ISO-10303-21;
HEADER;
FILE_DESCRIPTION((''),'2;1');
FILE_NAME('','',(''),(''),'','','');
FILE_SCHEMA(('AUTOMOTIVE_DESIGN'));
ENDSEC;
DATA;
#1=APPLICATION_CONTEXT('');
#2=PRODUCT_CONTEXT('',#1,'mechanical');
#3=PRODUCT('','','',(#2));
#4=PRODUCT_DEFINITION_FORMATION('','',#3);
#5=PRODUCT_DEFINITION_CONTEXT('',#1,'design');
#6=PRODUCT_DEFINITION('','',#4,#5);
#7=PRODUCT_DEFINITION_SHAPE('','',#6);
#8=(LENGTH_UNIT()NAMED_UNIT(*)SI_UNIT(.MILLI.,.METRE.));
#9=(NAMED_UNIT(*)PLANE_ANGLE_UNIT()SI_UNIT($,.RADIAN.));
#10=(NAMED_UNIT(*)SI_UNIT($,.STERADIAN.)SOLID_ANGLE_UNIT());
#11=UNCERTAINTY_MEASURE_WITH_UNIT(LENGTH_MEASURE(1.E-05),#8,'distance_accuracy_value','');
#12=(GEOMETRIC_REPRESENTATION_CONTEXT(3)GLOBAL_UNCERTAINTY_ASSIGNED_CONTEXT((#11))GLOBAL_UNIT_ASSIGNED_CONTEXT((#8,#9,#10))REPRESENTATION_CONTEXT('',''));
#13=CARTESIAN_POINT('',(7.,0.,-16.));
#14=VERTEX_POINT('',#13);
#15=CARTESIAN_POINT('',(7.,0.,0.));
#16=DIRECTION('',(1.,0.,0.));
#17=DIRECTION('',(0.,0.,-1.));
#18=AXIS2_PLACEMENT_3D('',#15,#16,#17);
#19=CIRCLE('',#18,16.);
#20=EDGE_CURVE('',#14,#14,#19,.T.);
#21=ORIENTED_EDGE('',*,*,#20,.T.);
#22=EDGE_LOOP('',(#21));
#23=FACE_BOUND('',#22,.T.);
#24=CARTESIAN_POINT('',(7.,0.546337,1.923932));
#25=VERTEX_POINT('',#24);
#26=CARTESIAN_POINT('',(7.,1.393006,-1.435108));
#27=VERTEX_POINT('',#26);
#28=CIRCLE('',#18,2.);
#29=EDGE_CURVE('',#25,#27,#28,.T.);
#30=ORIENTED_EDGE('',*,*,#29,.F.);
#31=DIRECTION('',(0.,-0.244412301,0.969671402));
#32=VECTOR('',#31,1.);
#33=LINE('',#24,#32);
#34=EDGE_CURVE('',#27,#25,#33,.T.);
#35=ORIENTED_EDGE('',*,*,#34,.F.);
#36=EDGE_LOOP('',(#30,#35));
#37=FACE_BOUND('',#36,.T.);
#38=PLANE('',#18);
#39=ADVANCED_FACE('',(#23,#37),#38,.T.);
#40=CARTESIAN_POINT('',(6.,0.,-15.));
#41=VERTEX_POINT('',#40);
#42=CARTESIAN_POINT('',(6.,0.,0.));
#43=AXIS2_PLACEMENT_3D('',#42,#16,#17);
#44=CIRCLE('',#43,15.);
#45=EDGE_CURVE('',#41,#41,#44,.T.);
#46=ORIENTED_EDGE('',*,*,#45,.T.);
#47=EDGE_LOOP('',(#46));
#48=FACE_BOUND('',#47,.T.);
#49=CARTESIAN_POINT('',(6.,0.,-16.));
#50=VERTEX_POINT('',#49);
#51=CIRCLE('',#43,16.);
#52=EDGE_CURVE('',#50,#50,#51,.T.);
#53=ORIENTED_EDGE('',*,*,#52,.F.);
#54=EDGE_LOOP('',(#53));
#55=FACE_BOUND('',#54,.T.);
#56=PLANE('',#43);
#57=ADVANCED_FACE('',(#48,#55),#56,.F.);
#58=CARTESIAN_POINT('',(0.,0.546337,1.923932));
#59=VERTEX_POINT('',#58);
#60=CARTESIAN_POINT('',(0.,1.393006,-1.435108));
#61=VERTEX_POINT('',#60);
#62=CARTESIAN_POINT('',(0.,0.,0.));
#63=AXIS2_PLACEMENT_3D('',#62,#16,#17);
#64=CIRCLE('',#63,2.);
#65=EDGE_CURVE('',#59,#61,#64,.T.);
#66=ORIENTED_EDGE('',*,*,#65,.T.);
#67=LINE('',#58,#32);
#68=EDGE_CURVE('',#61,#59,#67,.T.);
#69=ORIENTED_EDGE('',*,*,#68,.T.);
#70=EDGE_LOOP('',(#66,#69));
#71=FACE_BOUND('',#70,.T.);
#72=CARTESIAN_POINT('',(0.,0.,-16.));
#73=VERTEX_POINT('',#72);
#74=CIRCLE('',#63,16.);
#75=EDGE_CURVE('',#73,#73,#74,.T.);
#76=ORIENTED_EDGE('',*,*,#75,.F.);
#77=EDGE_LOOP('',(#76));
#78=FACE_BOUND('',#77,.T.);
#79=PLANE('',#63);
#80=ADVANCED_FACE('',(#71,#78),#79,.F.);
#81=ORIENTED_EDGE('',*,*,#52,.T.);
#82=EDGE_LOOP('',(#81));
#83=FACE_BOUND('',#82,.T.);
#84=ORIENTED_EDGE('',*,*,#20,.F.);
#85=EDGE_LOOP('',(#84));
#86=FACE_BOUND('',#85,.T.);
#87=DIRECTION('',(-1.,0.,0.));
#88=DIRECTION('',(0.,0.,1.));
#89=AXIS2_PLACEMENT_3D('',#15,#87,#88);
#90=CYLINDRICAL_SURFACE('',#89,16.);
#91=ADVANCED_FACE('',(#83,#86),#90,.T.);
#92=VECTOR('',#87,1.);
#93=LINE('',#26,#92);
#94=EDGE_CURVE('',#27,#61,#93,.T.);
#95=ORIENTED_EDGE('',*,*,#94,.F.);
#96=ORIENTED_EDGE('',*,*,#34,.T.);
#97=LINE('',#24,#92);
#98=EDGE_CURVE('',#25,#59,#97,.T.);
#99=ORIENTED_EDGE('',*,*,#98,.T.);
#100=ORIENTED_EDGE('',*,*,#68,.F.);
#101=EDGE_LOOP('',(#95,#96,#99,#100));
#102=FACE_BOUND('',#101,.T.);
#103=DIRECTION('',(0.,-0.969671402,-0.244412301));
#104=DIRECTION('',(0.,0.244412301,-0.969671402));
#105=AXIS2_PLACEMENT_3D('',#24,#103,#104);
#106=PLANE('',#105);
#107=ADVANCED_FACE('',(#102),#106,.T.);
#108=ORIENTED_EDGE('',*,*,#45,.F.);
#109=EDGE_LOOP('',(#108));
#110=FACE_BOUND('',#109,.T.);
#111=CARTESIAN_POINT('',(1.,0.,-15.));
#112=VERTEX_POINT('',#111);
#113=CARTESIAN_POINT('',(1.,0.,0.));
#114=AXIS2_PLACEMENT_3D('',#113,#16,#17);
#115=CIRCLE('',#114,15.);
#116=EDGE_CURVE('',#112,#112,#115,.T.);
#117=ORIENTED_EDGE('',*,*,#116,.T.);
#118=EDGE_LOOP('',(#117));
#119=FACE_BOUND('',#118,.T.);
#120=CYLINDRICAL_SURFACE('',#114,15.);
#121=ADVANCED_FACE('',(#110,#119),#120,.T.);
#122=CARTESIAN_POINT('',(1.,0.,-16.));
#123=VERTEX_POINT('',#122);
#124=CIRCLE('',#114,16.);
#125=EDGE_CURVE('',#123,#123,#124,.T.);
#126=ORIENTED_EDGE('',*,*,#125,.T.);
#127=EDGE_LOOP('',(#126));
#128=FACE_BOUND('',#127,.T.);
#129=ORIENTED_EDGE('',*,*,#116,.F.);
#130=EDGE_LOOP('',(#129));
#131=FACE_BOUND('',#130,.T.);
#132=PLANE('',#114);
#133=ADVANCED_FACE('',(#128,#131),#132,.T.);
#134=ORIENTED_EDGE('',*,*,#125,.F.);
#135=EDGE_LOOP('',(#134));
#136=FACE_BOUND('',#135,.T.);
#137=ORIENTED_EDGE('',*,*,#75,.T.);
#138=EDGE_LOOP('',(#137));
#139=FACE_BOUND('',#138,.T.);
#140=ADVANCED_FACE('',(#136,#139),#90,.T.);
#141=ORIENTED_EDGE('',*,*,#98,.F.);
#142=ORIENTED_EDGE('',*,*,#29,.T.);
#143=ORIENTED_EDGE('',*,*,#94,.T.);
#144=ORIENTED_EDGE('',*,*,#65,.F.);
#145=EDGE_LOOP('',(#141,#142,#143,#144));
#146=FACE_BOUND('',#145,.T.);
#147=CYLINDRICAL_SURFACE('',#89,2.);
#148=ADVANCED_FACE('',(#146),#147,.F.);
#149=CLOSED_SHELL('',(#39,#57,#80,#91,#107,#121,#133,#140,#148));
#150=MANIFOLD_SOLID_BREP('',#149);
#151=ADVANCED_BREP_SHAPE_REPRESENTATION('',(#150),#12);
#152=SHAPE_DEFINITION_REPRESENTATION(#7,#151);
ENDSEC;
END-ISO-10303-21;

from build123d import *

# Parameters (mm, degrees)
SKETCH1_R           = 16
BOSS_EXTRUDE1_DEPTH = 7
CUT_EXTRUDE1_START  = -5
SKETCH3_R           = 16
SKETCH3_R_2         = 15
CUT_EXTRUDE1_DEPTH  = 5


with BuildPart() as part:
    # Sketch1 → Boss-Extrude1 (new body)
    with BuildSketch(Plane(origin=(0, 0, 0), x_dir=(0, 0, -1), z_dir=(1, 0, 0))):
        Circle(SKETCH1_R)
        with BuildLine():
            Line((-1.923932435, 0.546336878), (1.435107833, 1.393005925))
            ThreePointArc((1.435107833, 1.393005925), (0.488824602, -1.939342803), (-1.923932435, 0.546336878))
        make_face(mode=Mode.SUBTRACT)
    extrude(amount=BOSS_EXTRUDE1_DEPTH)

    # Sketch3 → Cut-Extrude1 (cut)
    with BuildSketch(Plane(origin=(6, 0, 0), x_dir=(0, 0, -1), z_dir=(1, 0, 0)).offset(CUT_EXTRUDE1_START)):
        Circle(SKETCH3_R)
        Circle(SKETCH3_R_2, mode=Mode.SUBTRACT)
    extrude(amount=CUT_EXTRUDE1_DEPTH, mode=Mode.SUBTRACT)


solid = part.part
